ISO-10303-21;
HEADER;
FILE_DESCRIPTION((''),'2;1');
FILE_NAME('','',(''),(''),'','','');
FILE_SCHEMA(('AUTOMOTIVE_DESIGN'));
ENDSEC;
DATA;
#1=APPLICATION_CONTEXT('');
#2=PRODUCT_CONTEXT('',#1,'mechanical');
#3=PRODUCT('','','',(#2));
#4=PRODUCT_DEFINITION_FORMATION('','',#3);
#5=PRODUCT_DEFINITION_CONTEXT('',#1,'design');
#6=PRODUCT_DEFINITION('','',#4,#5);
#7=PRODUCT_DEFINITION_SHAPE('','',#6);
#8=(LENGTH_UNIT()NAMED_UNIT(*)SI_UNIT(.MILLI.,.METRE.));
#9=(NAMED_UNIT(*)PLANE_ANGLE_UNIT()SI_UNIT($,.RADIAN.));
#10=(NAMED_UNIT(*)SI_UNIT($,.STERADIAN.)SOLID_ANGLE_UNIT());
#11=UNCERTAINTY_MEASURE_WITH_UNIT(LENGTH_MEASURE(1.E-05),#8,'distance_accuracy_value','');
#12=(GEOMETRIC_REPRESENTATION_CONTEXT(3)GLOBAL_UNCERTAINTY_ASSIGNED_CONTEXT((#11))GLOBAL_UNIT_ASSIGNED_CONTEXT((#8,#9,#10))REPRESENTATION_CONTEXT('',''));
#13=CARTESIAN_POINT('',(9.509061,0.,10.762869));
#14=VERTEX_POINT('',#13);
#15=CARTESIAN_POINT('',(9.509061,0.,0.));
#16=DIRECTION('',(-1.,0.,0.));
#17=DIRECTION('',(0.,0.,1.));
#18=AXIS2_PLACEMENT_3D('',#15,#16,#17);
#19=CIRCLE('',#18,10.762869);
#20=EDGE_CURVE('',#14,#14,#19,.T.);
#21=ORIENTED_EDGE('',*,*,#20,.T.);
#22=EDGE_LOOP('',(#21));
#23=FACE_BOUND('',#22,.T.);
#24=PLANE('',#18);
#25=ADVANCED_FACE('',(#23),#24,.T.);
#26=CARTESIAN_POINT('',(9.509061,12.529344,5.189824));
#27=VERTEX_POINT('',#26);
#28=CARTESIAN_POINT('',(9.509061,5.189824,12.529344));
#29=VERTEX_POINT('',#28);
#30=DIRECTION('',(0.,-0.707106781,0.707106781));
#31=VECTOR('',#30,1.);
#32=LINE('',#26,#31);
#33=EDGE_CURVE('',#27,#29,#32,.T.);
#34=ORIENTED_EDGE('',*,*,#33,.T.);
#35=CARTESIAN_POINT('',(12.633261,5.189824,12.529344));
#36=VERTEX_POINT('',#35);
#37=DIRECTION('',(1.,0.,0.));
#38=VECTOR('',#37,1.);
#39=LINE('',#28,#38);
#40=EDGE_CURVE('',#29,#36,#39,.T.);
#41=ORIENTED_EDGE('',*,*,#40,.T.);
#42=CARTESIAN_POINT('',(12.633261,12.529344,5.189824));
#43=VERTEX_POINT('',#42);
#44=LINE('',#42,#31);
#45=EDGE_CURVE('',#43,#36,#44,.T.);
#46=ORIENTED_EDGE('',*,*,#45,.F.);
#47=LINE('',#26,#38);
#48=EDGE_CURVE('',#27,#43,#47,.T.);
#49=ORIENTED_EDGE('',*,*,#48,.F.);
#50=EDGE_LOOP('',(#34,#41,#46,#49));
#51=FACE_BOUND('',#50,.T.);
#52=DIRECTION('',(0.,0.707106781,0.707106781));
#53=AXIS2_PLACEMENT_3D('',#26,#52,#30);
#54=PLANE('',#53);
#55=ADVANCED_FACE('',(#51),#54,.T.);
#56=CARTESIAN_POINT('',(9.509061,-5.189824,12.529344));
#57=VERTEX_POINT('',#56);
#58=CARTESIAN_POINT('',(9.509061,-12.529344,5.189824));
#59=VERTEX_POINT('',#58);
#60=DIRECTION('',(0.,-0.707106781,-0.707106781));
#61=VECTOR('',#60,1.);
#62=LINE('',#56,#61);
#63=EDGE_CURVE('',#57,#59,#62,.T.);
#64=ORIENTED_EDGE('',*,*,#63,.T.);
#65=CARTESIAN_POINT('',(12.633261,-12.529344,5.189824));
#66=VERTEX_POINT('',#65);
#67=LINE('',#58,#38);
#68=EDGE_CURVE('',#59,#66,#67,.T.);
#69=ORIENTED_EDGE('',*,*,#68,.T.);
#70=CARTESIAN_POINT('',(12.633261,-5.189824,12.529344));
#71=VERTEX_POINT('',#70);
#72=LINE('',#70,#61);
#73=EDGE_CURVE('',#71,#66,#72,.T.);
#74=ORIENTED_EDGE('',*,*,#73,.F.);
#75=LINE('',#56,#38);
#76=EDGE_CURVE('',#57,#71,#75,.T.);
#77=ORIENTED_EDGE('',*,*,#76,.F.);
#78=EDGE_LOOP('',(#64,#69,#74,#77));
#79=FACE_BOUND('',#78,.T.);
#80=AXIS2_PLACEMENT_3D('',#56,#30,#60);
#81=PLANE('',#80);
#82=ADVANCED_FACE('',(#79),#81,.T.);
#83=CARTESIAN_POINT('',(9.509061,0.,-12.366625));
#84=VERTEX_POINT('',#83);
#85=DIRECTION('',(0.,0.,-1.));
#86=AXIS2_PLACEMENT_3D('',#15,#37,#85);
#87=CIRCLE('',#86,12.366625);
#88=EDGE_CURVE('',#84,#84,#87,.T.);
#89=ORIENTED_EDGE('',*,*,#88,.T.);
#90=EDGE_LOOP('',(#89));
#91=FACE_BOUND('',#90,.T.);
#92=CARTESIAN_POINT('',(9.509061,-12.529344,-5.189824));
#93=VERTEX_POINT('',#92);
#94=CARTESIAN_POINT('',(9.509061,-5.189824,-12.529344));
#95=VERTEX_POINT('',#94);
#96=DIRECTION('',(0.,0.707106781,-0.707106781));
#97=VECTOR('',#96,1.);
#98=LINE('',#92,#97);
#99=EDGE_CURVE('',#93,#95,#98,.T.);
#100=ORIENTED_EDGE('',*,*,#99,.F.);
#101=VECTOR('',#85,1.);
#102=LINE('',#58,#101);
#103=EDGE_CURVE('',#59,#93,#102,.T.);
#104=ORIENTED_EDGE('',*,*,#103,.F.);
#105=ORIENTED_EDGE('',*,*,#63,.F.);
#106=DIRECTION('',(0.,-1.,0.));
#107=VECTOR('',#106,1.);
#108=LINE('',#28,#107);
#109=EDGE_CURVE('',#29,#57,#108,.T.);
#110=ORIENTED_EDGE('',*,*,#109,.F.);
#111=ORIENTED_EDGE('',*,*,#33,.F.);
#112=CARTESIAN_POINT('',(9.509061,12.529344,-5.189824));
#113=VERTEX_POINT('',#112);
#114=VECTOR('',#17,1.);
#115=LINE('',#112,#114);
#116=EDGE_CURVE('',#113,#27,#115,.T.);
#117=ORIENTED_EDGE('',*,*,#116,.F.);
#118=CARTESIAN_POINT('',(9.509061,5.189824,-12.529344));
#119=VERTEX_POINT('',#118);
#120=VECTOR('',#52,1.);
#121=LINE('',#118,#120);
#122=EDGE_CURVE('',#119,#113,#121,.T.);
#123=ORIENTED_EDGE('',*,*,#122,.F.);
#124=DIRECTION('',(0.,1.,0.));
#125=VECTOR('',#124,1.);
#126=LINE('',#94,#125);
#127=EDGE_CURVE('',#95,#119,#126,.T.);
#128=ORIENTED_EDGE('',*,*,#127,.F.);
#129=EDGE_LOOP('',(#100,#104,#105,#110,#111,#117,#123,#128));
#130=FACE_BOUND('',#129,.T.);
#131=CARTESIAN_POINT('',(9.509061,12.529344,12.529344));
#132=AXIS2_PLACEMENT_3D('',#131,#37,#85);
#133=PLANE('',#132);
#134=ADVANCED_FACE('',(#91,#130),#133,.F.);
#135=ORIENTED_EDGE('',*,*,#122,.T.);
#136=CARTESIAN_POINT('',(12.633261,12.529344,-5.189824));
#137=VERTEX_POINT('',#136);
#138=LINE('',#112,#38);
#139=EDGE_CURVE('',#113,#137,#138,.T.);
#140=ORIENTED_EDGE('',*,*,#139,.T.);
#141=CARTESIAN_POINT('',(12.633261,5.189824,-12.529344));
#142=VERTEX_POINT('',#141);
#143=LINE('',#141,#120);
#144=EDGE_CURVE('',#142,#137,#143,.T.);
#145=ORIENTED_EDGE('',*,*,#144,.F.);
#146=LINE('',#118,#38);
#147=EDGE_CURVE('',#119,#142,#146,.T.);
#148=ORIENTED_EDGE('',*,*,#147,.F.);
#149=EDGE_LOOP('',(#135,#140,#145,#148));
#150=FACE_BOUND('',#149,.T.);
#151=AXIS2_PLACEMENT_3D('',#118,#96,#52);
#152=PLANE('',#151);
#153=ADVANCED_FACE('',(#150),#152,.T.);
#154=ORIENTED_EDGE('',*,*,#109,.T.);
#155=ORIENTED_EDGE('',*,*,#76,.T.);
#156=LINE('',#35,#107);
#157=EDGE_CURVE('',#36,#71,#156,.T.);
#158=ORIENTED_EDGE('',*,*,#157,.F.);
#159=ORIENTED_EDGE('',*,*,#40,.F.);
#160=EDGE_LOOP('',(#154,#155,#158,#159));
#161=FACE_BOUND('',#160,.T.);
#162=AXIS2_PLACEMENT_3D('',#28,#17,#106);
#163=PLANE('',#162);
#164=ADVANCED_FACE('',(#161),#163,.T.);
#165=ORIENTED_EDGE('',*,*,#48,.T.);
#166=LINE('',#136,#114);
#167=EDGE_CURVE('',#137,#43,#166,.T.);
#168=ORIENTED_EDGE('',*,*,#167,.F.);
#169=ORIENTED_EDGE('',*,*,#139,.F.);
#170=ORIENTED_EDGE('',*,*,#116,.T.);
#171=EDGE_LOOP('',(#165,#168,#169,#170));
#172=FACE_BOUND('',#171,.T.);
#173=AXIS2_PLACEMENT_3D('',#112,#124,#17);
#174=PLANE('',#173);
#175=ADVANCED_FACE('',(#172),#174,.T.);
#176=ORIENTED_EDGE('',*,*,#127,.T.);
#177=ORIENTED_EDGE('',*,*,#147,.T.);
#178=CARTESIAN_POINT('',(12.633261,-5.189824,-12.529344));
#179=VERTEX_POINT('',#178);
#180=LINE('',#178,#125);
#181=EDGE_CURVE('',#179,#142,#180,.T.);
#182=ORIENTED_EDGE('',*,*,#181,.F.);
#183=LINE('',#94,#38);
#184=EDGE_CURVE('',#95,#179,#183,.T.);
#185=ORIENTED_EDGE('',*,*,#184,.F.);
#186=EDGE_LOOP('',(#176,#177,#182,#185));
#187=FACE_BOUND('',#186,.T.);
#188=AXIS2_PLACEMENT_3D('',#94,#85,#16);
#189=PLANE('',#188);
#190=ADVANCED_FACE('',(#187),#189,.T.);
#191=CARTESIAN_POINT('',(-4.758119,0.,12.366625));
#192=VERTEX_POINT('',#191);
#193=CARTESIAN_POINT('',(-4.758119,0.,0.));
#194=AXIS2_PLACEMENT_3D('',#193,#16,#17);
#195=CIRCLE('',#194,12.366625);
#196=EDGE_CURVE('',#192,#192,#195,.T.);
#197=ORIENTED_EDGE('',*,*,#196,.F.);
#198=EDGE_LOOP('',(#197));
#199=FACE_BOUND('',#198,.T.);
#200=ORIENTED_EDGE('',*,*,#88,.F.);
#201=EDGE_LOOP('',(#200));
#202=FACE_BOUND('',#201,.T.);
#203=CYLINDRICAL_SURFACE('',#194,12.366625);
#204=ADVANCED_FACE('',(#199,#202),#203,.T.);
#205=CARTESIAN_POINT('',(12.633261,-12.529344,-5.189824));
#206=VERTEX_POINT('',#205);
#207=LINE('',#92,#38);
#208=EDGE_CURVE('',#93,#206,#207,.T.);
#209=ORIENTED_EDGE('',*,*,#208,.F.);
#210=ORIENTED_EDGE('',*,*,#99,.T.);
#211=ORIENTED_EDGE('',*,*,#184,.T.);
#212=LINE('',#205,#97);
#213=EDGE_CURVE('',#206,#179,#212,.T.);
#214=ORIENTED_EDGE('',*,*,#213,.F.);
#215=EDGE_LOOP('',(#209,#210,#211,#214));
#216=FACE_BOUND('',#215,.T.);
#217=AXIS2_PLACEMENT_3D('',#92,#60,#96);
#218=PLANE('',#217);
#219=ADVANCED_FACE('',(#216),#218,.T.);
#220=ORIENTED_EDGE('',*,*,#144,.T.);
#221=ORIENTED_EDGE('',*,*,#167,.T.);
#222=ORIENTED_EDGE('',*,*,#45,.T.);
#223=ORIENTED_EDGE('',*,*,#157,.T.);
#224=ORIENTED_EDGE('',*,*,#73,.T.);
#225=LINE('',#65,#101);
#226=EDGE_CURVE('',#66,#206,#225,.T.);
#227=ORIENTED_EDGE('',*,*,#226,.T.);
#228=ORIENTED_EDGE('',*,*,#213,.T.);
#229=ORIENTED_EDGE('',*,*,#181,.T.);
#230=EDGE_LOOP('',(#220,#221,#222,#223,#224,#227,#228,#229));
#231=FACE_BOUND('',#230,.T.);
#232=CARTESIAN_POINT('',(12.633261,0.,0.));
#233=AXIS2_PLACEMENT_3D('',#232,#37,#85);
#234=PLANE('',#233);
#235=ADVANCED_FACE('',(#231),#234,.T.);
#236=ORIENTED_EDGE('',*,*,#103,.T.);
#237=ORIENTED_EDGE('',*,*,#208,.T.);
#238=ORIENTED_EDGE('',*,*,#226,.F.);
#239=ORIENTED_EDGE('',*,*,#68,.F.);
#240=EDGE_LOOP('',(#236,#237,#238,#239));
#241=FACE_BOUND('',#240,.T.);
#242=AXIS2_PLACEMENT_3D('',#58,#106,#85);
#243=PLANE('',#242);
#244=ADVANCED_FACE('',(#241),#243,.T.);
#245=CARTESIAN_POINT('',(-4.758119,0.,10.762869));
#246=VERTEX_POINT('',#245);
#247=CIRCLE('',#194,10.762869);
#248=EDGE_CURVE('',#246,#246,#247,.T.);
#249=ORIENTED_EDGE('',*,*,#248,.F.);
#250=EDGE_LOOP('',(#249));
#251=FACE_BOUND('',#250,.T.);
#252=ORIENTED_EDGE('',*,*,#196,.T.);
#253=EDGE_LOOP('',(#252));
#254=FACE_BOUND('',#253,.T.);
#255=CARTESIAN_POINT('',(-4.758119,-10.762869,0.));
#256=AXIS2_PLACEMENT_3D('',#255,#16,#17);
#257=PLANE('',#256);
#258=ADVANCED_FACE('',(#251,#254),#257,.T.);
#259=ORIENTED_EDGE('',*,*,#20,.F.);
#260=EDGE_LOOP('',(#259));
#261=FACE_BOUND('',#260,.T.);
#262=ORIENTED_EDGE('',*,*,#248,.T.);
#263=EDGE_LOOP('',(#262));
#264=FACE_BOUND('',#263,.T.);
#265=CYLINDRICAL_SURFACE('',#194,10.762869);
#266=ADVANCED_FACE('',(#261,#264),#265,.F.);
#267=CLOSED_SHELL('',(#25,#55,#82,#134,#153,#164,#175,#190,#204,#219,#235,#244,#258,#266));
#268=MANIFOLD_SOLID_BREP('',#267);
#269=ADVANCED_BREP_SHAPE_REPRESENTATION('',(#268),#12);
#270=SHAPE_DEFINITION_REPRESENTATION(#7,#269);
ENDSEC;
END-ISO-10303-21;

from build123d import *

# Parameters (mm, degrees)
SKETCH2_R           = 30.1625
BOSS_EXTRUDE1_DEPTH = 7.62
SCALE1_SCALE        = 0.41


with BuildPart() as part:
    # Sketch1 → Revolve1 (revolve)
    with BuildSketch(Plane.XY, mode=Mode.PRIVATE) as revolve1_sk:
        Polygon((-21.209, -30.1625), (21.209, -30.1625), (21.209, 0), (13.589, 0), (13.589, -26.2509), (-21.209, -26.2509), align=None)
    revolve(revolve1_sk.sketch.rotate(Axis((-21.209, 0, 0), (1, 0, 0)), 270), axis=Axis((-21.209, 0, 0), (1, 0, 0)))

    # Sketch2 → Boss-Extrude1 (add)
    with BuildSketch(Plane(origin=(21.209, 0, 0), x_dir=(0, 0, -1), z_dir=(1, 0, 0))):
        Polygon((-12.658107583, 30.559375), (-30.559375, 12.658107583), (-30.559375, -12.658107583), (-12.658107583, -30.559375), (12.658107583, -30.559375), (30.559375, -12.658107583), (30.559375, 12.658107583), (12.658107583, 30.559375), align=None)
        with Locations(Location((0, 0, 0), (0, 0, 180))):
            Circle(SKETCH2_R, mode=Mode.SUBTRACT)
    extrude(amount=-BOSS_EXTRUDE1_DEPTH)


with BuildPart() as part_1:
    # Scale1: scaled about (6.673848972, 0, 0)
    add(part.part.scale(SCALE1_SCALE).moved(Location((3.937570893, 0, 0))))


solid = part_1.part
